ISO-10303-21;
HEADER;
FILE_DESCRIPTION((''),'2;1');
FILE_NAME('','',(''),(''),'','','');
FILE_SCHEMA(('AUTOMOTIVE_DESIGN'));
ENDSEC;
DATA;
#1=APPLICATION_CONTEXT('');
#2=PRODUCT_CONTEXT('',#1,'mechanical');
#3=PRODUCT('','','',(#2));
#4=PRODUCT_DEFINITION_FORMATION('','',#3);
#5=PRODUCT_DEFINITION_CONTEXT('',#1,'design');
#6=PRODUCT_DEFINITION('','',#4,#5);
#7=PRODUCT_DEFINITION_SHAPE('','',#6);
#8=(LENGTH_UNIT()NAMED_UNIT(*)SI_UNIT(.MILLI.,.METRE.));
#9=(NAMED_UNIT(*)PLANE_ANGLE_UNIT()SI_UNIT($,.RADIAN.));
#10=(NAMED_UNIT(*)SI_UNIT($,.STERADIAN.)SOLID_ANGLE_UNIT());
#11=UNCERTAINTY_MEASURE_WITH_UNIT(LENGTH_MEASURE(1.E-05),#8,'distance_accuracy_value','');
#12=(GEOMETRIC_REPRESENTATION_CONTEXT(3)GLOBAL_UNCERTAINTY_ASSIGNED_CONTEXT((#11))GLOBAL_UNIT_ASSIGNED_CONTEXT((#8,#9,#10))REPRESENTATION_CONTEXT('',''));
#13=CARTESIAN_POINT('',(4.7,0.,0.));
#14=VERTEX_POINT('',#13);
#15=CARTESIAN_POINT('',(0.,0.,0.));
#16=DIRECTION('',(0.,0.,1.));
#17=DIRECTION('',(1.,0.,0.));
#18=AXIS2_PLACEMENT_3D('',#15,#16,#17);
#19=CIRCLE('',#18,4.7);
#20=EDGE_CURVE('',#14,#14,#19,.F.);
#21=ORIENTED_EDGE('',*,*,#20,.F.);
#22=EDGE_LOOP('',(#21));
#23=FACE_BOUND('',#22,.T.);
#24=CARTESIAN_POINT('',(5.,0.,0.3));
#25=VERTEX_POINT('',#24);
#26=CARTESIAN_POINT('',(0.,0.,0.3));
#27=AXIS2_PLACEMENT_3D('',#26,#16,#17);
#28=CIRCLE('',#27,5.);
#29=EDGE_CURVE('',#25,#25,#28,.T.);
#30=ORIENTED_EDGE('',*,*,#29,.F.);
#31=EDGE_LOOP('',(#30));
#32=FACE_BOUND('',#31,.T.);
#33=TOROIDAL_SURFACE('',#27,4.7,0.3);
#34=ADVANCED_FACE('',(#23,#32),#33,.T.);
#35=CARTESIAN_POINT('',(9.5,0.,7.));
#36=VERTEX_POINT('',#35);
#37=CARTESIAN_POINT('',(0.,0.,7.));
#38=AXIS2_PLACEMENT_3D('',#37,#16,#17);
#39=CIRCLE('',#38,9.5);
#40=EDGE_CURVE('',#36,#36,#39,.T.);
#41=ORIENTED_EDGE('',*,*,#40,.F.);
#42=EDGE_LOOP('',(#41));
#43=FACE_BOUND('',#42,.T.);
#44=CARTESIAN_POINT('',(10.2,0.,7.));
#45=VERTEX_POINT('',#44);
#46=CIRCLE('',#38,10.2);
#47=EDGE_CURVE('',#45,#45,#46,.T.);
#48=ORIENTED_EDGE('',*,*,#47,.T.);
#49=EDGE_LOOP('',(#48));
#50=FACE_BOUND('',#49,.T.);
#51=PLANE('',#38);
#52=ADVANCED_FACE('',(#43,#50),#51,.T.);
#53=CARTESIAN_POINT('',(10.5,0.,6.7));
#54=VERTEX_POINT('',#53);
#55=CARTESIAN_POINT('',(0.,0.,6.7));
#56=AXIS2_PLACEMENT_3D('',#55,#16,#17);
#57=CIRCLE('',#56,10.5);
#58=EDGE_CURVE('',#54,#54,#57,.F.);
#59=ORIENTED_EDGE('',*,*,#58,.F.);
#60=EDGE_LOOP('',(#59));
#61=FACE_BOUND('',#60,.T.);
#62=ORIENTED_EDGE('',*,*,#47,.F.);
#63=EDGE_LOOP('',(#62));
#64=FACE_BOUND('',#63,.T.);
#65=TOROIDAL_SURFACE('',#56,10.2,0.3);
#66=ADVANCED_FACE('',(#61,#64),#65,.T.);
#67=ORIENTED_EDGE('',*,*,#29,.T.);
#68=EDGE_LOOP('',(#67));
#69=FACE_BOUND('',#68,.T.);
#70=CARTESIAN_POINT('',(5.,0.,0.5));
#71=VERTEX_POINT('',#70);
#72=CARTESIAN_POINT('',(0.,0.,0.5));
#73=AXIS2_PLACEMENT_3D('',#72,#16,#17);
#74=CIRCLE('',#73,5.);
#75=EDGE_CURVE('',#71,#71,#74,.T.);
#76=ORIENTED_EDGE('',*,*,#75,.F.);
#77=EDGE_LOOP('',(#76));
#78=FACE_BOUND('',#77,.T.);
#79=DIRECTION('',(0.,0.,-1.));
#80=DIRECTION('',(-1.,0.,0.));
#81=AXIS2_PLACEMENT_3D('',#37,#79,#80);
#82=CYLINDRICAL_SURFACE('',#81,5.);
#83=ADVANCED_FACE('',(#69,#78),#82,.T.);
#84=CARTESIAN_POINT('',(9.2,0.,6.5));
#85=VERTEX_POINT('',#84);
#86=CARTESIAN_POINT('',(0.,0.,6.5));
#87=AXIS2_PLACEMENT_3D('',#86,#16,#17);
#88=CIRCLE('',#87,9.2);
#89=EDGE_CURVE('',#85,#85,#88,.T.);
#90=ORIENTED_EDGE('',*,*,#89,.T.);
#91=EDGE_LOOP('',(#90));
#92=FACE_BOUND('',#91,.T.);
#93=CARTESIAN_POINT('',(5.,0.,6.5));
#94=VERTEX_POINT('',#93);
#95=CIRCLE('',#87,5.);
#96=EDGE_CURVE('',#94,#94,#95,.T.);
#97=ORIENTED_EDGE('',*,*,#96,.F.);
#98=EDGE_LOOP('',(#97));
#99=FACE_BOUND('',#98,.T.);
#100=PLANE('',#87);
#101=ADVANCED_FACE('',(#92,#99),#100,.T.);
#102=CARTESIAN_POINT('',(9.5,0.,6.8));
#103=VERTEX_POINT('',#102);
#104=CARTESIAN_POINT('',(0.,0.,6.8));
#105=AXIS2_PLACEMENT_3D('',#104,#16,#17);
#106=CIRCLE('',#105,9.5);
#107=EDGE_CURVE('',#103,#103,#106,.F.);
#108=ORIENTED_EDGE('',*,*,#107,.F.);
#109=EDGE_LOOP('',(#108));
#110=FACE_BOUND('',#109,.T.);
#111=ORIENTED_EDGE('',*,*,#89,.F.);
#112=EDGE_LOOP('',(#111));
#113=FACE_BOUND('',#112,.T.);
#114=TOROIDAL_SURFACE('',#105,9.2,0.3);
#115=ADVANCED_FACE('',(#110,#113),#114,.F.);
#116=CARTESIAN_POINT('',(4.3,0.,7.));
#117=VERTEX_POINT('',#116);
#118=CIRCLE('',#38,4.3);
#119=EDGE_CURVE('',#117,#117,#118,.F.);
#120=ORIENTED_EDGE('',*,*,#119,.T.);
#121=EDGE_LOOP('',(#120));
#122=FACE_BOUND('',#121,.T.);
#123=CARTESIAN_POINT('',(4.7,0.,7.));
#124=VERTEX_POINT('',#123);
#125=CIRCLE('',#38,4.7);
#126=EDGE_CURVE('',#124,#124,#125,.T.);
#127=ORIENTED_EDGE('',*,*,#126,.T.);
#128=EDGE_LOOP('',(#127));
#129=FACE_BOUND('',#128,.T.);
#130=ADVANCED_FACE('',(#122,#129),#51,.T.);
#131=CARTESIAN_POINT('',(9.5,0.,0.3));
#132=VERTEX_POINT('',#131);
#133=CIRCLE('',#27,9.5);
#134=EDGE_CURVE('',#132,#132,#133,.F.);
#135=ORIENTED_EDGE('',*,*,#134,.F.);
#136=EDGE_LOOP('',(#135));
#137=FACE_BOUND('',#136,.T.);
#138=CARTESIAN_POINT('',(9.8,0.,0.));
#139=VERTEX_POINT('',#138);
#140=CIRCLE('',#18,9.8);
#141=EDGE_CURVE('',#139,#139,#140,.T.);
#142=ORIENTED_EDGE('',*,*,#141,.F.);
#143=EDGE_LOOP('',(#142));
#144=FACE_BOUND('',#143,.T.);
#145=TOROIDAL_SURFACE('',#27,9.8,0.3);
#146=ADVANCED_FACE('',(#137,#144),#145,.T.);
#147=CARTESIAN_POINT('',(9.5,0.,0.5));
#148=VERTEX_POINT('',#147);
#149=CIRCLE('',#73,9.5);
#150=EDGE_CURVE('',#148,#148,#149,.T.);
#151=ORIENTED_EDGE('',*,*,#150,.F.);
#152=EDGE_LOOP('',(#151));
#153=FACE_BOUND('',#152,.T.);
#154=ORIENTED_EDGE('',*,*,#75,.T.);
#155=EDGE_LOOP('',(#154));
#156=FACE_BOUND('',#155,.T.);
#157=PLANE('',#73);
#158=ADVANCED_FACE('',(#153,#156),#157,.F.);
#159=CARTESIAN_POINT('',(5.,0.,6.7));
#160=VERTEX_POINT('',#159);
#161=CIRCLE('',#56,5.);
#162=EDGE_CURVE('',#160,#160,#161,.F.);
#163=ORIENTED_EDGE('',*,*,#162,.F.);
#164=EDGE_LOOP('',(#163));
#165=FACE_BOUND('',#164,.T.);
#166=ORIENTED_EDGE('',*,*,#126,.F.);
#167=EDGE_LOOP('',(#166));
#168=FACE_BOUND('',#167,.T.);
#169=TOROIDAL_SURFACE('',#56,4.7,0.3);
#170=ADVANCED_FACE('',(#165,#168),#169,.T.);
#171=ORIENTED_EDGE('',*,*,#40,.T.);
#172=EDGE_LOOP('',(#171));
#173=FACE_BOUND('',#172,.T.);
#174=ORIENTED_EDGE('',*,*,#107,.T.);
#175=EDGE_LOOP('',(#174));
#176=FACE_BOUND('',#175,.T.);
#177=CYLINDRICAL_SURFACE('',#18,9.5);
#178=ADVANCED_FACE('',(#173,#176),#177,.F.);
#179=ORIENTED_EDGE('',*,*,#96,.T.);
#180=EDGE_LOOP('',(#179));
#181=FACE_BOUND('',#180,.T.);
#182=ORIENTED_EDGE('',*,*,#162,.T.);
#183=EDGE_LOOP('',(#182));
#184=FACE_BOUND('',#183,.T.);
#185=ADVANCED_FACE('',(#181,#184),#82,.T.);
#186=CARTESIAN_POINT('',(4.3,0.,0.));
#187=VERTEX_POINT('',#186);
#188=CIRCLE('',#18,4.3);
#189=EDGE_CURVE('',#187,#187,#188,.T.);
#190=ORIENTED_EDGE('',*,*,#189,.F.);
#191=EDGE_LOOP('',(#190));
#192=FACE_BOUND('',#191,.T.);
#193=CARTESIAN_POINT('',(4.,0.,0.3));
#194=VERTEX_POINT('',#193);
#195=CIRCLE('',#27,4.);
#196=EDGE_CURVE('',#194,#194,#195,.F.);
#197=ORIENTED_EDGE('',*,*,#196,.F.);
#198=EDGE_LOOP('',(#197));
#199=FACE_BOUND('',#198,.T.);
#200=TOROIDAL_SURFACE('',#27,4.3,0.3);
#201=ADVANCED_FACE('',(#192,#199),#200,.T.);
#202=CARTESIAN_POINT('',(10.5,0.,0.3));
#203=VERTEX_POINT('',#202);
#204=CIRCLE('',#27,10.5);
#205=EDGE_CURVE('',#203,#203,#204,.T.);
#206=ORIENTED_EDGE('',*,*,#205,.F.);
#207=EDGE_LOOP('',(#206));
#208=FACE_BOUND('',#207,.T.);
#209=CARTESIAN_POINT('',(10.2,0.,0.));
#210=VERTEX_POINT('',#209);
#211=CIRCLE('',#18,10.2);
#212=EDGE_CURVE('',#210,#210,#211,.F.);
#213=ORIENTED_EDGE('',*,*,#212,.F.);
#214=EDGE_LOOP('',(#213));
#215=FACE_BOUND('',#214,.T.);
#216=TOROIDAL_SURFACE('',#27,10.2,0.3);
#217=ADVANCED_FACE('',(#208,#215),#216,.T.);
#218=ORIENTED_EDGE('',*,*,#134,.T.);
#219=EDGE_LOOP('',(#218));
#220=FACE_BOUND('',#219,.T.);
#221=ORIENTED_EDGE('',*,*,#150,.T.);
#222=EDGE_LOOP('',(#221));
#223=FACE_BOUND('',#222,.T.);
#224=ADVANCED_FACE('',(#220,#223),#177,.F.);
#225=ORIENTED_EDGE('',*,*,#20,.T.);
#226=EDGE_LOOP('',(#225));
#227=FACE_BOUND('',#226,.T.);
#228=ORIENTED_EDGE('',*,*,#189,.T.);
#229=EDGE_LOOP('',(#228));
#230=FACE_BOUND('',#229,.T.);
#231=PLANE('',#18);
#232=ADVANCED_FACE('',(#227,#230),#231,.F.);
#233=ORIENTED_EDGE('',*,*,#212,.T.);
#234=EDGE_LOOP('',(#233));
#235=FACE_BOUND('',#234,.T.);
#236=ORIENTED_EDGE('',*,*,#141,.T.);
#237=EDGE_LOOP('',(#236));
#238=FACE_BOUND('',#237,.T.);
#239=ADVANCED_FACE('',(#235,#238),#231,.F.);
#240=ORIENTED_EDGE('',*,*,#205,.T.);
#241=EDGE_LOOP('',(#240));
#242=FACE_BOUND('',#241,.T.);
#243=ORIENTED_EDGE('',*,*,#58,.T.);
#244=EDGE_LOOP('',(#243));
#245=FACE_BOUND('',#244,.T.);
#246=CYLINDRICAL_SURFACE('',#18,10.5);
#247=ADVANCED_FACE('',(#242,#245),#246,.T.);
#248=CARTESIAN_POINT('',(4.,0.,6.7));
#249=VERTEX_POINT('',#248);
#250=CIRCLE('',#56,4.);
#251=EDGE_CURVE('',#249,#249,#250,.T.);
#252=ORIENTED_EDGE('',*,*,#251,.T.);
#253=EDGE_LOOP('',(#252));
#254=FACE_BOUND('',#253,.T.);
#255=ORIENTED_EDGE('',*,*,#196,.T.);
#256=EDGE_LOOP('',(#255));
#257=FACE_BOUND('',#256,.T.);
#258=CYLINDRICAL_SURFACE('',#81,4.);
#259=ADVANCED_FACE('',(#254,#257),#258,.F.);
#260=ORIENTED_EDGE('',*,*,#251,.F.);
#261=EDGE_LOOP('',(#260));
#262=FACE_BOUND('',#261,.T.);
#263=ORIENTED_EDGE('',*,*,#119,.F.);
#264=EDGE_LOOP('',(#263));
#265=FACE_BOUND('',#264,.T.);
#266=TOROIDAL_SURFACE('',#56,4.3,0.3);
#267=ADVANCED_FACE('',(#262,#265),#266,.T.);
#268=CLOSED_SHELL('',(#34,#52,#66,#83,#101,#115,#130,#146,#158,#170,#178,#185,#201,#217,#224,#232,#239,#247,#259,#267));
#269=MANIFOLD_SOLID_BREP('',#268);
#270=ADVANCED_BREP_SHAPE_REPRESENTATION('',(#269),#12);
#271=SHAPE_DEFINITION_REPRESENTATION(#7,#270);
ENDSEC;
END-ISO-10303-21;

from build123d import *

# Parameters (mm, degrees)
CROQUIS1_R              = 5
CROQUIS1_R_2            = 4
SALIENTE_EXTRUIR1_DEPTH = 7
SALIENTE_EXTRUIR2_START = -6.5
CROQUIS2_R              = 9.5
CROQUIS2_R_2            = 5
SALIENTE_EXTRUIR2_DEPTH = 6
SALIENTE_EXTRUIR3_START = -7
CROQUIS3_R              = 10.5
CROQUIS3_R_2            = 9.5
SALIENTE_EXTRUIR3_DEPTH = 7
REDONDEO1_R             = 0.3


with BuildPart() as part:
    # Croquis1 → Saliente-Extruir1 (new body)
    with BuildSketch(Plane.XY):
        Circle(CROQUIS1_R)
        Circle(CROQUIS1_R_2, mode=Mode.SUBTRACT)
    extrude(amount=SALIENTE_EXTRUIR1_DEPTH)

    # Croquis2 → Saliente-Extruir2 (add)
    with BuildSketch(Plane.XY.offset(7).offset(SALIENTE_EXTRUIR2_START)):
        Circle(CROQUIS2_R)
        Circle(CROQUIS2_R_2, mode=Mode.SUBTRACT)
    extrude(amount=SALIENTE_EXTRUIR2_DEPTH)

    # Croquis3 → Saliente-Extruir3 (add)
    with BuildSketch(Plane.XY.offset(7).offset(SALIENTE_EXTRUIR3_START)):
        Circle(CROQUIS3_R)
        Circle(CROQUIS3_R_2, mode=Mode.SUBTRACT)
    extrude(amount=SALIENTE_EXTRUIR3_DEPTH)

    # Redondeo1
    redondeo1_edges = [part.edges().sort_by_distance(p)[0] for p in [
        (-9.5, 0, 6.5),
        (-10.5, 0, 0),
        (-9.5, 0, 0),
        (-10.5, 0, 7),
        (-5, 0, 0),
        (-5, 0, 7),
        (-4, 0, 0),
        (-4, 0, 7),
    ]]
    fillet(redondeo1_edges, radius=REDONDEO1_R)


solid = part.part
